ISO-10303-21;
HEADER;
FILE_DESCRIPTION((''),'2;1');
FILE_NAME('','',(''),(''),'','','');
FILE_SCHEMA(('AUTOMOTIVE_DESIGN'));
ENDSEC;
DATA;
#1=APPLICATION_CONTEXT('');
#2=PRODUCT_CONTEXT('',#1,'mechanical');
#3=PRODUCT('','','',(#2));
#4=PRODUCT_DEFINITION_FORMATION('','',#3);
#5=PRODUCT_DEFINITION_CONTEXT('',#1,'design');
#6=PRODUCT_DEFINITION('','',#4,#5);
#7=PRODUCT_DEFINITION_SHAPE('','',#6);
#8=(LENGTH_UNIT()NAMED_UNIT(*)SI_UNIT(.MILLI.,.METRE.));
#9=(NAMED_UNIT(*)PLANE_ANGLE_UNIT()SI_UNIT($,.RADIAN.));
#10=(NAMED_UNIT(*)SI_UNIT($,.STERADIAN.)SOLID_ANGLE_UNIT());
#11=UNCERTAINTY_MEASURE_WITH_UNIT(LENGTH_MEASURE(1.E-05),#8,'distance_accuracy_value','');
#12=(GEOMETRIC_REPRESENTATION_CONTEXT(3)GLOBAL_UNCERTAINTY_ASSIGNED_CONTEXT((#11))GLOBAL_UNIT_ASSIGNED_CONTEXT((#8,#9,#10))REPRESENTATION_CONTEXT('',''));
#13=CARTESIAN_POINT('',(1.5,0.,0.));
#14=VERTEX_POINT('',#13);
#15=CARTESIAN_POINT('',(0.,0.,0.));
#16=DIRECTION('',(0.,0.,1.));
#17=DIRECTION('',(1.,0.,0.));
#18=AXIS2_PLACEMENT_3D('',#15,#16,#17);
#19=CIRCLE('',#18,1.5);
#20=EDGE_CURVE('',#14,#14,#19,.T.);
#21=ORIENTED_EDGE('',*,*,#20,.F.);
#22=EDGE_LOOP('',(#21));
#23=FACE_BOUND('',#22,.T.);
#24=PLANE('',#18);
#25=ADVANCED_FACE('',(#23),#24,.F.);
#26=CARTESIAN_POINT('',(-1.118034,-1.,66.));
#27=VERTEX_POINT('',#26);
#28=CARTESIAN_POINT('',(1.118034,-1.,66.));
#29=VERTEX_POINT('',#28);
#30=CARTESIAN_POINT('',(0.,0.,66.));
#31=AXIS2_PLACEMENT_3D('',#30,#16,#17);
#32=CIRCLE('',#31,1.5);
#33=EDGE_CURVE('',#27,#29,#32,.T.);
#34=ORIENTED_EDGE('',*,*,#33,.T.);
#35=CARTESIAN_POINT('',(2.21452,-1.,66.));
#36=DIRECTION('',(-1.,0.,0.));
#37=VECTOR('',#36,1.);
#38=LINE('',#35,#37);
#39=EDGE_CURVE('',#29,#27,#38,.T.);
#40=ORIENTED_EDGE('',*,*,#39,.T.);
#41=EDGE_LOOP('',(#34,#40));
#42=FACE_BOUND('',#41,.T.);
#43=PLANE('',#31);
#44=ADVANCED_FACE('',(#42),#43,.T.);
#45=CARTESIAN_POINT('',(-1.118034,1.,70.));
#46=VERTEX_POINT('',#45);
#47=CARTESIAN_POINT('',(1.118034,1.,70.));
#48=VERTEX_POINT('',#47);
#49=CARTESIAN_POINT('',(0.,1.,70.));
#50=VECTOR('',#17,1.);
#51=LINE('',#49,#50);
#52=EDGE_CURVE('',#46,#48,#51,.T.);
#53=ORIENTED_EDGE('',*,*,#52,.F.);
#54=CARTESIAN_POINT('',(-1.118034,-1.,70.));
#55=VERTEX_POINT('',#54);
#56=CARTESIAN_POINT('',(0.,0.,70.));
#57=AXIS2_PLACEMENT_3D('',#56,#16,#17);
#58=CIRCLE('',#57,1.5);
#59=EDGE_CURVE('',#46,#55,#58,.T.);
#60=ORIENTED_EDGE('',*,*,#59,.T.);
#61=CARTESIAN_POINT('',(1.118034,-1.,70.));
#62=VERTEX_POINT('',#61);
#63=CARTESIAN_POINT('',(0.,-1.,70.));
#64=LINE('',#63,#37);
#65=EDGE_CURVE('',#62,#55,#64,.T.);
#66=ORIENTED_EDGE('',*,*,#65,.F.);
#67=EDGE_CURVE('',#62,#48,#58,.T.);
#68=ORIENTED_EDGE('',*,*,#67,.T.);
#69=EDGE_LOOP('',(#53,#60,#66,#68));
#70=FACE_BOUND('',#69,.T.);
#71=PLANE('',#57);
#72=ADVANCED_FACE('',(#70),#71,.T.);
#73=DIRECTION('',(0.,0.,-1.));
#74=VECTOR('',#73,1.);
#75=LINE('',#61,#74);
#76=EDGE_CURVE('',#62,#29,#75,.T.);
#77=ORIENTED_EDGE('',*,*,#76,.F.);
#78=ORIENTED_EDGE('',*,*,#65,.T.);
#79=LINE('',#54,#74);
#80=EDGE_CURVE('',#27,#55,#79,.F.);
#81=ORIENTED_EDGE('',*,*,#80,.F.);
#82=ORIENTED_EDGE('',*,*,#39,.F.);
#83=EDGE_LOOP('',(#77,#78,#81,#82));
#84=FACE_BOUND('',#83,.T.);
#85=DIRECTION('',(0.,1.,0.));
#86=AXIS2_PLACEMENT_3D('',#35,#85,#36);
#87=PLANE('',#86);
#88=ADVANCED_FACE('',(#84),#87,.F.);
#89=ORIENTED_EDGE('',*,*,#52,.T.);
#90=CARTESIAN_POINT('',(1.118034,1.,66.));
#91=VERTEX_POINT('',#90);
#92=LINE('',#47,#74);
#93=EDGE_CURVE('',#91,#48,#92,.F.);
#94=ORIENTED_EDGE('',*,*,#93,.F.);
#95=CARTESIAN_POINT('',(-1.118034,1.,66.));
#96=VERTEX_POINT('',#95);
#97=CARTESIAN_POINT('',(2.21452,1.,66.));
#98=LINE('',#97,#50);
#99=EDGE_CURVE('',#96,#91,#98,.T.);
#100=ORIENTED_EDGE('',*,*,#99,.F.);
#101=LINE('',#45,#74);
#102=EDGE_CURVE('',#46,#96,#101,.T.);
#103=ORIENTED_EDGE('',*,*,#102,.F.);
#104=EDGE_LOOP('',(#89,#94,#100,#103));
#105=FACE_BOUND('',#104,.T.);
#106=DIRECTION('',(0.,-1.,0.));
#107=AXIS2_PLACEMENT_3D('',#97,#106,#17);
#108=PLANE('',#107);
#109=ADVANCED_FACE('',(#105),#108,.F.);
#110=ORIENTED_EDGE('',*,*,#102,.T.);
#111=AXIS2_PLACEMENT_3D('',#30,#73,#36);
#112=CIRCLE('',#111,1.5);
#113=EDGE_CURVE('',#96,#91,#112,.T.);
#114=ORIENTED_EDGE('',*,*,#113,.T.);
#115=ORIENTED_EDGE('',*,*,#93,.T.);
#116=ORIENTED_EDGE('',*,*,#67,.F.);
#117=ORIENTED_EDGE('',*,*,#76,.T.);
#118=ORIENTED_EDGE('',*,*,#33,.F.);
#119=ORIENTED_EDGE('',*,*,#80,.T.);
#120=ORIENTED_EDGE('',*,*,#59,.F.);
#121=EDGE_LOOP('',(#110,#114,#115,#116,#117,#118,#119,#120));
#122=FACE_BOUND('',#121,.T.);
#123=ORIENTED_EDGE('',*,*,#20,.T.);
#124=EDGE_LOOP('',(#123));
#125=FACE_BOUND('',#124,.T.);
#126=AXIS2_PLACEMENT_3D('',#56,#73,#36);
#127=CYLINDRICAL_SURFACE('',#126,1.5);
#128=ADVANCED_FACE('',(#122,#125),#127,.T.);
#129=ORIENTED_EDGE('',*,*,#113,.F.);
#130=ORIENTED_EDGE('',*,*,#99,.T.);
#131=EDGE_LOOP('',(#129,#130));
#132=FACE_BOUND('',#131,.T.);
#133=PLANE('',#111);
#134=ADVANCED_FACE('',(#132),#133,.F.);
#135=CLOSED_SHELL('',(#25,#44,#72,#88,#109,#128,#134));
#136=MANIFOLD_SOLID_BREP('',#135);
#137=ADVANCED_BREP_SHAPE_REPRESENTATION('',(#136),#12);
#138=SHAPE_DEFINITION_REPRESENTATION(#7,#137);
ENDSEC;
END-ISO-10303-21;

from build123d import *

# Parameters (mm, degrees)
SKETCH_1_R          = 1.5
EXTRUDE_1_DEPTH     = 70
SKETCH_2_W          = 4
SKETCH_2_H          = 1
CUT_EXTRUDE_2_DEPTH = 4


with BuildPart() as part:
    # 草图1 → 凸台-拉伸1 (new body)
    with BuildSketch(Plane.XY):
        Circle(SKETCH_1_R)
    extrude(amount=EXTRUDE_1_DEPTH)

    # 草图2 → 切除-拉伸2 (cut)
    with BuildSketch(Plane.XY.offset(70)):
        with Locations((0.214520216, -1.5)):
            Rectangle(SKETCH_2_W, SKETCH_2_H)
        with Locations((0.214520216, 1.5)):
            Rectangle(SKETCH_2_W, SKETCH_2_H)
    extrude(amount=-CUT_EXTRUDE_2_DEPTH, mode=Mode.SUBTRACT)


solid = part.part
